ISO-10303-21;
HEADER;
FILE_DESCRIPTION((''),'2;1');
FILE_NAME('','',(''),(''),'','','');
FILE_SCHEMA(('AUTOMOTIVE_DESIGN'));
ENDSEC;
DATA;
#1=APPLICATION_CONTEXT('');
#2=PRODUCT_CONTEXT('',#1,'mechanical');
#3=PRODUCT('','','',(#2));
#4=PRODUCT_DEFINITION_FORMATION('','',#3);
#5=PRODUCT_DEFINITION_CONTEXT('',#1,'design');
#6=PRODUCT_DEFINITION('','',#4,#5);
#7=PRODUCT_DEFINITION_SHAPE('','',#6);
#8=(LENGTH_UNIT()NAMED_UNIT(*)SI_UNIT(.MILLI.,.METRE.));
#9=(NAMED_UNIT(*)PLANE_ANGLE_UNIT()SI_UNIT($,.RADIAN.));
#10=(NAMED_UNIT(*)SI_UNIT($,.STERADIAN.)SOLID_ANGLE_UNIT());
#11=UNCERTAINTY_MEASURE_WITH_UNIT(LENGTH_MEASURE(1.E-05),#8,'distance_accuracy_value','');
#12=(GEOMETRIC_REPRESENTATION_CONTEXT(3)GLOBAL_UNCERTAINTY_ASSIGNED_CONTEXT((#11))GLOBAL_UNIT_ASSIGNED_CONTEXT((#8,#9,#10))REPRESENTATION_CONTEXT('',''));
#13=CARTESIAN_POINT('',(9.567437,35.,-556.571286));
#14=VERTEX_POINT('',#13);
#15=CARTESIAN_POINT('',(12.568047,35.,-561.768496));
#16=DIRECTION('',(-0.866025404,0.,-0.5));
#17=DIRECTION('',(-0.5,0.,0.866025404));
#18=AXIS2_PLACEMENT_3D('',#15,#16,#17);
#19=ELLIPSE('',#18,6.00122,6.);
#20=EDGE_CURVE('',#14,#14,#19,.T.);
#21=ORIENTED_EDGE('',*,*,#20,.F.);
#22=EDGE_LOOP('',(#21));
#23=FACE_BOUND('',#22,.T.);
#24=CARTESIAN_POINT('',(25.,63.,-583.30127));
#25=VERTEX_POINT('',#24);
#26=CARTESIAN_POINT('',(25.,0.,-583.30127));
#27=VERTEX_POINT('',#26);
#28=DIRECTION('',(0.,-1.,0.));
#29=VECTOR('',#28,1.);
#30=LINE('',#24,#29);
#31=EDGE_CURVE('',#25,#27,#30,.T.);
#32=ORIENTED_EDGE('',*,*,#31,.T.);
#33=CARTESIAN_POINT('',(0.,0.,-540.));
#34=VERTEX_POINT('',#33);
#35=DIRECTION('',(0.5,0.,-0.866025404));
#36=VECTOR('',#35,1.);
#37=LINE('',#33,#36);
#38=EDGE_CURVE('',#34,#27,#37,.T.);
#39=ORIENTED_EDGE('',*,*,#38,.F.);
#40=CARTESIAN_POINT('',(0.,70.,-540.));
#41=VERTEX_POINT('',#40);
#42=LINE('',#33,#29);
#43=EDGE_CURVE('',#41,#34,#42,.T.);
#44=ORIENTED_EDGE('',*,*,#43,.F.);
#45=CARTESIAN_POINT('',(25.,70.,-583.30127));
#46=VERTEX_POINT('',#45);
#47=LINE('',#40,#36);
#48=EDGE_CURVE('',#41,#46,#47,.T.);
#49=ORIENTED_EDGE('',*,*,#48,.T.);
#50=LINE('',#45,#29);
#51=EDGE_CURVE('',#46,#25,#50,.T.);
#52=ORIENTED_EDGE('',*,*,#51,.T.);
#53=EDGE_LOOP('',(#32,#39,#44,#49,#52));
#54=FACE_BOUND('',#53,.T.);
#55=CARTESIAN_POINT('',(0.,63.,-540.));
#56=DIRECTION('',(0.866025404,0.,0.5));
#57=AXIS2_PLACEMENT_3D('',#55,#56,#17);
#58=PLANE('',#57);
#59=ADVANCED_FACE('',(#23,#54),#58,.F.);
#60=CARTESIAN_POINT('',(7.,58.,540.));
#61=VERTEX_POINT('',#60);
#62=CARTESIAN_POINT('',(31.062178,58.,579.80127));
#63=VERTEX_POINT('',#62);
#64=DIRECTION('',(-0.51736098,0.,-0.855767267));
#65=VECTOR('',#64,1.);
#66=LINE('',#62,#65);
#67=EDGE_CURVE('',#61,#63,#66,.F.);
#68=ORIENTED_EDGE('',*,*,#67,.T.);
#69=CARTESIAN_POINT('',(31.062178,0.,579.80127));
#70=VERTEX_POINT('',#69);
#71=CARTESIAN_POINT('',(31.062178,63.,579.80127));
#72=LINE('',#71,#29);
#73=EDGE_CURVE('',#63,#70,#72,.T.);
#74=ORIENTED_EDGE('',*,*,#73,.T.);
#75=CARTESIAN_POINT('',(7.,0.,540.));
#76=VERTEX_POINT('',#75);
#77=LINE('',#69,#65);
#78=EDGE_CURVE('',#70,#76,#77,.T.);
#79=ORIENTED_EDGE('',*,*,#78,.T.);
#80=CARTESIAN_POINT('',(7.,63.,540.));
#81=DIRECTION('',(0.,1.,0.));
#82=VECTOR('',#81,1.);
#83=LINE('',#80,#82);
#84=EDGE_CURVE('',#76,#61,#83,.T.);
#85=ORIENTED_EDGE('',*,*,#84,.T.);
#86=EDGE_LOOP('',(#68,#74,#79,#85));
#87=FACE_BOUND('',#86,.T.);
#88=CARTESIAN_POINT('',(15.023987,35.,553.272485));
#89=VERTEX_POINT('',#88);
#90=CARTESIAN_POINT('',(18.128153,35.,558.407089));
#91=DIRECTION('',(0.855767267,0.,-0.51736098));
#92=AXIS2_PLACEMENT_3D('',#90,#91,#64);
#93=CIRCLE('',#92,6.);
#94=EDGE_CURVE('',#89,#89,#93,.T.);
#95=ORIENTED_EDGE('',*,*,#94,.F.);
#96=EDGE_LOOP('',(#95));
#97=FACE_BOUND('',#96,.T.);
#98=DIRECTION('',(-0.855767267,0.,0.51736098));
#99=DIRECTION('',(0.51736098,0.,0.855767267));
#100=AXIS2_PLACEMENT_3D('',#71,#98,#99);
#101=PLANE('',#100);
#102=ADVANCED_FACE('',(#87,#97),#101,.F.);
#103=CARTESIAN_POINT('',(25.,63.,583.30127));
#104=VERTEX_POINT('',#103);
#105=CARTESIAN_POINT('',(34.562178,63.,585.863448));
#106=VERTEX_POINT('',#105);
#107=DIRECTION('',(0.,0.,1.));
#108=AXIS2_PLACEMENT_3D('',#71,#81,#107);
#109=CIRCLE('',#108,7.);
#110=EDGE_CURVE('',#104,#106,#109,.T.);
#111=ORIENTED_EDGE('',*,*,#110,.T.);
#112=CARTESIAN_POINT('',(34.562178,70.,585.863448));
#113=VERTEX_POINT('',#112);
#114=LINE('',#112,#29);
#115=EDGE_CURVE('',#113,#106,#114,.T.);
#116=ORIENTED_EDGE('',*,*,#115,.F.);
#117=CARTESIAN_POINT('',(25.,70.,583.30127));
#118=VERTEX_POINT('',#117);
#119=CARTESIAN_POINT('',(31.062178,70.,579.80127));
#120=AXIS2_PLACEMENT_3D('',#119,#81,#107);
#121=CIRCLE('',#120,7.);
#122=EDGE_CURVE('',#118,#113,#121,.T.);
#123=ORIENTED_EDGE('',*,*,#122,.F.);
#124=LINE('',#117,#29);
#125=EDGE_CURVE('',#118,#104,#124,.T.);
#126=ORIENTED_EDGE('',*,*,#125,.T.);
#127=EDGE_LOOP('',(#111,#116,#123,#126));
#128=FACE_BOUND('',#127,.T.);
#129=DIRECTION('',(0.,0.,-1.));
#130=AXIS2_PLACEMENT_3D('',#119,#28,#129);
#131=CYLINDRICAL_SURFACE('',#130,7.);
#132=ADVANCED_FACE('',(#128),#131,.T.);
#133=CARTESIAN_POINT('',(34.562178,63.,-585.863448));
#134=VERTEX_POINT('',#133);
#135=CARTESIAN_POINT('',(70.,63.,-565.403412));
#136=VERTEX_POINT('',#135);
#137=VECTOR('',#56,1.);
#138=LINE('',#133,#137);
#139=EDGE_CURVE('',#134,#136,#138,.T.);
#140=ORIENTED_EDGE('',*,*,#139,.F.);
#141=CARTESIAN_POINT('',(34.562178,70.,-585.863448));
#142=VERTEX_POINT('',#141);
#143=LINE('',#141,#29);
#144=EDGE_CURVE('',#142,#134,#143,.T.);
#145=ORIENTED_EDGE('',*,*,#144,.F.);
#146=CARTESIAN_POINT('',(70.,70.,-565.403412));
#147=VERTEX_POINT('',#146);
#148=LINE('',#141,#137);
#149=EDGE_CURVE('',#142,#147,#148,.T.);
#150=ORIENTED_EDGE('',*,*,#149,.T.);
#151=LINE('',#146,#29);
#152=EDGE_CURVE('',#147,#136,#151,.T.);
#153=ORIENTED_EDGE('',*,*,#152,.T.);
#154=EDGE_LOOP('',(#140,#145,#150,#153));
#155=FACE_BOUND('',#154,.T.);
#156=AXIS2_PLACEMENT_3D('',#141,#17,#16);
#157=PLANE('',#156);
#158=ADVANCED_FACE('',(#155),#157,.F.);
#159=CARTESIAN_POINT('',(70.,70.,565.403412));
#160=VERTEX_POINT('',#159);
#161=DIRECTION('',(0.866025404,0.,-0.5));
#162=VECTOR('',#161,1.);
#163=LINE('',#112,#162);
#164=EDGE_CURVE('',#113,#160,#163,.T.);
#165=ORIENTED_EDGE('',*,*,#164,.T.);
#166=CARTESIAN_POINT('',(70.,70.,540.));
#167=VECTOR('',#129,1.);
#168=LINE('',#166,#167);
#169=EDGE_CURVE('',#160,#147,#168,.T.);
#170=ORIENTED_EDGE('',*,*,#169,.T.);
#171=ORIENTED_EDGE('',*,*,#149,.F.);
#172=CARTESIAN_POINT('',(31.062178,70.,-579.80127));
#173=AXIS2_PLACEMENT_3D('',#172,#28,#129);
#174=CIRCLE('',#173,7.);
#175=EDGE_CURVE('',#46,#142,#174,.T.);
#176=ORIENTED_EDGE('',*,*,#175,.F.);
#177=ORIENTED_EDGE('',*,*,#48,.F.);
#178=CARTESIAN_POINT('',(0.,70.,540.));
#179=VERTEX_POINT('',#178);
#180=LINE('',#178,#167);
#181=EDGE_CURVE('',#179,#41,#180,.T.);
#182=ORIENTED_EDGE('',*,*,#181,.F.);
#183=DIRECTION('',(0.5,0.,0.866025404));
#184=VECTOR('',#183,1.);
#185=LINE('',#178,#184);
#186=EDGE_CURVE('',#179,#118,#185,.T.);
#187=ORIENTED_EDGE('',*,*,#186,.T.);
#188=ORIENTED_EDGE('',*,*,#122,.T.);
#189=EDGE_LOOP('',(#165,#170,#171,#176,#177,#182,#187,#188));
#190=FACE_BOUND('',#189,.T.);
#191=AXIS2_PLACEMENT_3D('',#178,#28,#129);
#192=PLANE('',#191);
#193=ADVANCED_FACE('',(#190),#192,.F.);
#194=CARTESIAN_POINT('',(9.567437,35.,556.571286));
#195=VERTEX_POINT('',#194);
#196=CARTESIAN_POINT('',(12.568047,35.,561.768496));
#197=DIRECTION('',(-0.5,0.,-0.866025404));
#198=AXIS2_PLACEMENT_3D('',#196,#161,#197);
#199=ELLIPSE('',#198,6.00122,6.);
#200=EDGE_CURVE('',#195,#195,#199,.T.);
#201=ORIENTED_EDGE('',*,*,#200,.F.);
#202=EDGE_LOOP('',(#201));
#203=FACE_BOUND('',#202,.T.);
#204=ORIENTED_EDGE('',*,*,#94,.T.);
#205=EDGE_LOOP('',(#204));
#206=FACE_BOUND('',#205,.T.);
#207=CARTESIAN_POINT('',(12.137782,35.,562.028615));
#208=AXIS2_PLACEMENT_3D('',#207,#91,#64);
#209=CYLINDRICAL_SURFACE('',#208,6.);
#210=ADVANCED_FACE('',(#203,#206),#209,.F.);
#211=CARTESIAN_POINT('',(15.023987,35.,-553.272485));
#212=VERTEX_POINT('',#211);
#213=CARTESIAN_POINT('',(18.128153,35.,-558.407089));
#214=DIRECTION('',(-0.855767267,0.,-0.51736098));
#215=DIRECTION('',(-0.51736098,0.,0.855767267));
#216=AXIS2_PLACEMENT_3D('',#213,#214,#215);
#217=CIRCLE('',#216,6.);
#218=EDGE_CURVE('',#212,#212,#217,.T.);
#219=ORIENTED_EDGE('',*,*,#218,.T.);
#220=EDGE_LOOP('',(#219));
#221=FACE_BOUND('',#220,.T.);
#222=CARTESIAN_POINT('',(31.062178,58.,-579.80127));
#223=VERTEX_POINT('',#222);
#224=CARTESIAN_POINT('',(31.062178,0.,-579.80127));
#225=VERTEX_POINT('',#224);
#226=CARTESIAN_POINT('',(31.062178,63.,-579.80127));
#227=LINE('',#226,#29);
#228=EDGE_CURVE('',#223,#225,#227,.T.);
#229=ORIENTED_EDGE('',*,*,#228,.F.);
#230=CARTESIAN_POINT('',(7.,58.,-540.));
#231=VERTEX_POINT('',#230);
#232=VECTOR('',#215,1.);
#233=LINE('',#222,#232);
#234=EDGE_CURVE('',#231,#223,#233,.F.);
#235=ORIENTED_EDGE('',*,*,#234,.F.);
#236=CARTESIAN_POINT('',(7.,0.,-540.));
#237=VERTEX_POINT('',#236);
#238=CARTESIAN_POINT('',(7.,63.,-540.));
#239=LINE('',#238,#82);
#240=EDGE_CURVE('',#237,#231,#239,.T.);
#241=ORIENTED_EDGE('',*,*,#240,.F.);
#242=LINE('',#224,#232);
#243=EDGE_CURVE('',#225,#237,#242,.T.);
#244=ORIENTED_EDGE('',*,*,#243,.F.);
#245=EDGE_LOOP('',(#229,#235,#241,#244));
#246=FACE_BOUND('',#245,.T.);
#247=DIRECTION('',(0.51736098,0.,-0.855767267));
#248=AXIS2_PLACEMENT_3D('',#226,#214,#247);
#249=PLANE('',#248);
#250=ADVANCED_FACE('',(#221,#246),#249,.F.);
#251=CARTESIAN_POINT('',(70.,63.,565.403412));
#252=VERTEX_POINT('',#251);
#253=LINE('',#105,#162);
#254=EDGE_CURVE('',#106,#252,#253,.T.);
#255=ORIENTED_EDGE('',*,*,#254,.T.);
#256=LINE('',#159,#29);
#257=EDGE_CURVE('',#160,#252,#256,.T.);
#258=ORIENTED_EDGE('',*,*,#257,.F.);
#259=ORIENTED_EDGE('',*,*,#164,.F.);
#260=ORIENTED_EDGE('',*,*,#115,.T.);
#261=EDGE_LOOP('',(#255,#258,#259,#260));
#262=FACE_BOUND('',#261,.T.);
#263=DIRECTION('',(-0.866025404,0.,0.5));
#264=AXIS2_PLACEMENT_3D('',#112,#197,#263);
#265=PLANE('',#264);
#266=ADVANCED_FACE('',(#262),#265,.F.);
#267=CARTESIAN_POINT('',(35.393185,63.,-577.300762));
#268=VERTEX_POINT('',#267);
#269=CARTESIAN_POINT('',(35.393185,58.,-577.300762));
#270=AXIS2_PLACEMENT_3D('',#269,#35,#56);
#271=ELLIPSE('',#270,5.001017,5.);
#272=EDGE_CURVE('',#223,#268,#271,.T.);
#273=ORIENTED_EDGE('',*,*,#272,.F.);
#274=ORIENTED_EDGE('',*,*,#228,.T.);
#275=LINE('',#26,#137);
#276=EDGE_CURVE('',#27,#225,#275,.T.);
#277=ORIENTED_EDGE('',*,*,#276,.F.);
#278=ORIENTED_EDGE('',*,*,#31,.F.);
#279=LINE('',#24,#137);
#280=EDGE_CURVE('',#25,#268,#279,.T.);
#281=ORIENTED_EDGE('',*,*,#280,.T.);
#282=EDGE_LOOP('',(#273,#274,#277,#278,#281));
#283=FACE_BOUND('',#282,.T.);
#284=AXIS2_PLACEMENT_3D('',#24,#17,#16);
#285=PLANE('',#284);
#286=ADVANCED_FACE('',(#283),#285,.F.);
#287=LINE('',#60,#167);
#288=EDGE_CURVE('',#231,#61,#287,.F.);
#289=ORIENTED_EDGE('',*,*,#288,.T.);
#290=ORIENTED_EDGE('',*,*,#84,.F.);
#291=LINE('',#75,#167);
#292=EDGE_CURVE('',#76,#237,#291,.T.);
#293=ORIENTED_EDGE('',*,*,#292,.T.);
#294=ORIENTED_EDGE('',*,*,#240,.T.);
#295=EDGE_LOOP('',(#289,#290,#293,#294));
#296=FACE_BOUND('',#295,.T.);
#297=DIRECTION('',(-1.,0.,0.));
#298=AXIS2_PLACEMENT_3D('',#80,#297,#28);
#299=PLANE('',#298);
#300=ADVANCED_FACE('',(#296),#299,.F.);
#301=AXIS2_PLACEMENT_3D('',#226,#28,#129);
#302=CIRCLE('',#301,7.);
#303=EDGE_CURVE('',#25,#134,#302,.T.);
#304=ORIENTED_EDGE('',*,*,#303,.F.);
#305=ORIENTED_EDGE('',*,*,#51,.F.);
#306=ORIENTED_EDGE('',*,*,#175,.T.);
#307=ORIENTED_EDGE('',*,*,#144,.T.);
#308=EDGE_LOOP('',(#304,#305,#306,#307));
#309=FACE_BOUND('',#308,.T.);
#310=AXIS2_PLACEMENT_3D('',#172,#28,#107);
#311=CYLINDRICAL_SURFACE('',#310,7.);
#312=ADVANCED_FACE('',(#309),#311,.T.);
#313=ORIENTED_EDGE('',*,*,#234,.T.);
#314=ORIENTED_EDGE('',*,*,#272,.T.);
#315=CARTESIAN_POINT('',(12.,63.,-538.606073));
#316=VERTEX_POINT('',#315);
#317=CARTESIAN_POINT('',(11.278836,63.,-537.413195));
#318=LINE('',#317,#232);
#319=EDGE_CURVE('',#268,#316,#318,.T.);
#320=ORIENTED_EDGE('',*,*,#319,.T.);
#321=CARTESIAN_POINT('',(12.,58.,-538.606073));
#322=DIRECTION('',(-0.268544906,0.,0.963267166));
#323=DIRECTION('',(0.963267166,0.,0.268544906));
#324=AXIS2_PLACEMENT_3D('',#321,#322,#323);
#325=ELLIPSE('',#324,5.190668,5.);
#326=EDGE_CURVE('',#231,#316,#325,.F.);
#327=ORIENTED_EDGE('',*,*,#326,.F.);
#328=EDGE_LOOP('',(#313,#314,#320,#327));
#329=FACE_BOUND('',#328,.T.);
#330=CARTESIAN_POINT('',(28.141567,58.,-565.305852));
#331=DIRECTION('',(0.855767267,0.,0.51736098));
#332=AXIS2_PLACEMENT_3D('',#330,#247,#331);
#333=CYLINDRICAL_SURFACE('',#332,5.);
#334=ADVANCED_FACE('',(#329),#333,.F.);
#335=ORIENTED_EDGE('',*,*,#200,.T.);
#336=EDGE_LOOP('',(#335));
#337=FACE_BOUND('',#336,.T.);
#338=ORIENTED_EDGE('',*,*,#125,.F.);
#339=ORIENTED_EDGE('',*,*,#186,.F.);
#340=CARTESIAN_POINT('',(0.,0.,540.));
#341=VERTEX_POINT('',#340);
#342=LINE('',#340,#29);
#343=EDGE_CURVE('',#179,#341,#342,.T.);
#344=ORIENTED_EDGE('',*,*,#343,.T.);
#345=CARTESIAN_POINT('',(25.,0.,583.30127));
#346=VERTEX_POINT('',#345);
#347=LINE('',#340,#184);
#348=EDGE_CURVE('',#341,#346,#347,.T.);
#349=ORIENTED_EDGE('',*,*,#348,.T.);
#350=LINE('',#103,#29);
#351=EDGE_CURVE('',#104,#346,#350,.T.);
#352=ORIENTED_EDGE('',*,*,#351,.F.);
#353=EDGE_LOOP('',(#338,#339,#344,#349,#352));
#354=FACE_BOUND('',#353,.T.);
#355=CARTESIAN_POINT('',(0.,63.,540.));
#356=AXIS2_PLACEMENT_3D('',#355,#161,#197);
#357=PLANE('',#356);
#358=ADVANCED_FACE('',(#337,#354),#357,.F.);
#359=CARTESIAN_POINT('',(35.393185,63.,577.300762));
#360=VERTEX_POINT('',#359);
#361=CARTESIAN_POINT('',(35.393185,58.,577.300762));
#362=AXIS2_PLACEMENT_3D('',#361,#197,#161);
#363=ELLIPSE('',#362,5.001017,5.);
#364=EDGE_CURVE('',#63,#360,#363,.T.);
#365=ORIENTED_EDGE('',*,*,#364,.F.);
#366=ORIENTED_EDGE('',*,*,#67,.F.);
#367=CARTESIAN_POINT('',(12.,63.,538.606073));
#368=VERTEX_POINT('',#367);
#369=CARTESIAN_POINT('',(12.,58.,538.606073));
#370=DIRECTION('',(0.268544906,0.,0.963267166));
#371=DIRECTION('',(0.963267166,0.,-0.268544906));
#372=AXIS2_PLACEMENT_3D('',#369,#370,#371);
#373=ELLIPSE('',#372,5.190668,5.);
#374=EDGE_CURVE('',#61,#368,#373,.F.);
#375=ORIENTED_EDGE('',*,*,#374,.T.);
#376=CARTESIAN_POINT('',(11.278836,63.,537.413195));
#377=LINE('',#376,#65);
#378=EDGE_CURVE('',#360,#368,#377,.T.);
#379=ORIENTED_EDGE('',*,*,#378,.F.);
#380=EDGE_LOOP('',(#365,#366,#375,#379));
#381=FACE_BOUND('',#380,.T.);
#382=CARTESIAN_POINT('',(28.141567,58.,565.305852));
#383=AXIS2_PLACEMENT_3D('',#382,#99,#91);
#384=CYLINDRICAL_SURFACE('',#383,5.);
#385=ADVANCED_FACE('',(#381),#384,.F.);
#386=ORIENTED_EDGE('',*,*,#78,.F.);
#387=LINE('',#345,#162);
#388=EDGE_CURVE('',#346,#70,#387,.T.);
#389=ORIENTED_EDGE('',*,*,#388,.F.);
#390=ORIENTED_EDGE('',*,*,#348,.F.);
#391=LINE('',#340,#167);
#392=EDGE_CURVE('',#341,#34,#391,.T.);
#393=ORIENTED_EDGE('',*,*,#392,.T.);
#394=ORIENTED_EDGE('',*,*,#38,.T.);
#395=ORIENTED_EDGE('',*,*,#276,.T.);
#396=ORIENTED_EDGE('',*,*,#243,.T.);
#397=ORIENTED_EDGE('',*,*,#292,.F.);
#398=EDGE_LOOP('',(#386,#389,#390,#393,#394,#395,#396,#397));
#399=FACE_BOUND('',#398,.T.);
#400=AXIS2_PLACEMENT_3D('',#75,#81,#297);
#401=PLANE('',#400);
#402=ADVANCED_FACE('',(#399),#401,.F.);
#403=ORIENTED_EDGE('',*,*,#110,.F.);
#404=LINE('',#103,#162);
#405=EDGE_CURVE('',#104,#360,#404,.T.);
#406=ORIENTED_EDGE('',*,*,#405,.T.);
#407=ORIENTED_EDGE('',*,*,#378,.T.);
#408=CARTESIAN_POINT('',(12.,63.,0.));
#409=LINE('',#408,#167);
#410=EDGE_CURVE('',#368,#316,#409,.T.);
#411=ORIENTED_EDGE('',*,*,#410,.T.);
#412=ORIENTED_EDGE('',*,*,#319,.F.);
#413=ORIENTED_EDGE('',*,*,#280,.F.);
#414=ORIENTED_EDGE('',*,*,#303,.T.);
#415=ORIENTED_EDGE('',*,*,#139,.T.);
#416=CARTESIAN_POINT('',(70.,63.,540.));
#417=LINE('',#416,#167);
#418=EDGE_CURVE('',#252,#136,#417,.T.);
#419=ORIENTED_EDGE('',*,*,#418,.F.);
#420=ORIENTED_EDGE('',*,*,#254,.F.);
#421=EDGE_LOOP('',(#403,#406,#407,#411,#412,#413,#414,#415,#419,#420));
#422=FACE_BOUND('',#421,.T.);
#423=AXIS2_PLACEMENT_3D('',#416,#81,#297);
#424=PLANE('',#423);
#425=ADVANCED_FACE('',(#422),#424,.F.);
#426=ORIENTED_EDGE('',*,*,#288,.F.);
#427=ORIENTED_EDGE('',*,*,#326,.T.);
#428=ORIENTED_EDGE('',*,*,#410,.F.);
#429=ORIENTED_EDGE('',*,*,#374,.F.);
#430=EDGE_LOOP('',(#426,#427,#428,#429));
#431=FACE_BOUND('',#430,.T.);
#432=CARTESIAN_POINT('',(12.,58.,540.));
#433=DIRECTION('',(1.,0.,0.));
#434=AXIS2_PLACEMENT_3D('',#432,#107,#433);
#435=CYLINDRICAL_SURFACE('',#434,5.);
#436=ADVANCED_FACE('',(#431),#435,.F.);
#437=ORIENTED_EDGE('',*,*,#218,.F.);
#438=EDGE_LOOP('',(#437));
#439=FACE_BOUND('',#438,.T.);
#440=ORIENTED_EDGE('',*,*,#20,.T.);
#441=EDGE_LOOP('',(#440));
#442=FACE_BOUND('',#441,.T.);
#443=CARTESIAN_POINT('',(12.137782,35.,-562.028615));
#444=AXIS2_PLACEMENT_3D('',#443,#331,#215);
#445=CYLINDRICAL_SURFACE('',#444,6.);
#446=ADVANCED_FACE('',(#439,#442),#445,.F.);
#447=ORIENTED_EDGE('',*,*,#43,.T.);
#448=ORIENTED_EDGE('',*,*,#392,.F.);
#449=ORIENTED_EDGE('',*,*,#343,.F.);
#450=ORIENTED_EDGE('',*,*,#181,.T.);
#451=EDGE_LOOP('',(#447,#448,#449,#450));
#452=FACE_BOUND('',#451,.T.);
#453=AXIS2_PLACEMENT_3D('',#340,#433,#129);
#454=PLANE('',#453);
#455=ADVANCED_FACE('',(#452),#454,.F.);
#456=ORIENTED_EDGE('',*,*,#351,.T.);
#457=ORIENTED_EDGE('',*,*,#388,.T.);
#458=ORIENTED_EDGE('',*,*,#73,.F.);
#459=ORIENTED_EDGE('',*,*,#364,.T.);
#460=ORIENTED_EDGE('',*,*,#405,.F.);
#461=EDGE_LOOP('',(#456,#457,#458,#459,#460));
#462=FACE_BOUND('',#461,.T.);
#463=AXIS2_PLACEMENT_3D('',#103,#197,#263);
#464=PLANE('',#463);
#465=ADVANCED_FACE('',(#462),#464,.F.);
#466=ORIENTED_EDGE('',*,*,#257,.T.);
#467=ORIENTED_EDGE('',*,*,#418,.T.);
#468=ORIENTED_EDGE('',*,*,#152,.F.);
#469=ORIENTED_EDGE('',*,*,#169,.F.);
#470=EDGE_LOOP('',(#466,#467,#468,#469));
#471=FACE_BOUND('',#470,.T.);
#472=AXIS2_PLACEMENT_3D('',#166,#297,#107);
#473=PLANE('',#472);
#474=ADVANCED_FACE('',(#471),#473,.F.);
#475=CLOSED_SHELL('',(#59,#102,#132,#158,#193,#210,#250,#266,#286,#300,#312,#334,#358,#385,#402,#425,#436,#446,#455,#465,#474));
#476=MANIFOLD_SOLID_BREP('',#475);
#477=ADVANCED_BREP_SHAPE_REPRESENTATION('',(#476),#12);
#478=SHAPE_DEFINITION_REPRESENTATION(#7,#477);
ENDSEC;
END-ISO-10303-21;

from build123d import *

# Parameters (mm, degrees)
BOSS_EXTRUDE1_DEPTH = 540
BOSS_EXTRUDE2_DEPTH = 63
BOSS_EXTRUDE4_DEPTH = 7
SKETCH10_R          = 6
CUT_EXTRUDE3_DEPTH  = 7
FILLET5_R           = 5


with BuildPart() as part:
    # Sketch1 → Boss-Extrude1 (new body)
    with BuildSketch(Plane.XY):
        Polygon((0, 0), (0, 70), (70, 70), (70, 63), (7, 63), (7, 0), align=None)
    extrude(amount=BOSS_EXTRUDE1_DEPTH)

    # Sketch2 → Boss-Extrude2 (add)
    with BuildSketch(Plane(origin=(0, 0, 0), x_dir=(1, 0, 0), z_dir=(0, 1, 0))):
        Polygon((0, -540), (25, -583.301270189), (31.062177826, -579.801270189), (7, -540), align=None)
    extrude(amount=BOSS_EXTRUDE2_DEPTH)

    # Sketch9 → Boss-Extrude4 (add)
    with BuildSketch(Plane(origin=(0, 63, 0), x_dir=(1, 0, 0), z_dir=(0, 1, 0))):
        with BuildLine():
            Line((0, -540), (25, -583.301270189))
            ThreePointArc((25, -583.301270189), (29.250444511, -586.562750973), (34.562177826, -585.863448016))
            Line((34.562177826, -585.863448016), (70, -565.403411844))
            Line((70, -565.403411844), (70, -540))
            Line((70, -540), (0, -540))
        make_face()
    extrude(amount=BOSS_EXTRUDE4_DEPTH)

    # Sketch10 → Cut-Extrude3 (cut)
    with BuildSketch(Plane(origin=(-233.953556616, 0, 141.438503236), x_dir=(-0.5173609804017633, 0, -0.8557672674026079), z_dir=(0.8557672674026079, 0, -0.5173609804017633))):
        with Locations((-487.2453074, 35)):
            Circle(SKETCH10_R)
    extrude(amount=-CUT_EXTRUDE3_DEPTH, mode=Mode.SUBTRACT)

    # Fillet5
    fillet5_edges = [part.edges().sort_by_distance(p)[0] for p in [
        (7, 63, 270),
        (19.031088913, 63, 559.900635095),
    ]]
    fillet(fillet5_edges, radius=FILLET5_R)

    # Mirror6: part across plane


with BuildPart() as part_1:
    add(part.part)
    add(part.part.mirror(Plane.XY))


solid = part_1.part
